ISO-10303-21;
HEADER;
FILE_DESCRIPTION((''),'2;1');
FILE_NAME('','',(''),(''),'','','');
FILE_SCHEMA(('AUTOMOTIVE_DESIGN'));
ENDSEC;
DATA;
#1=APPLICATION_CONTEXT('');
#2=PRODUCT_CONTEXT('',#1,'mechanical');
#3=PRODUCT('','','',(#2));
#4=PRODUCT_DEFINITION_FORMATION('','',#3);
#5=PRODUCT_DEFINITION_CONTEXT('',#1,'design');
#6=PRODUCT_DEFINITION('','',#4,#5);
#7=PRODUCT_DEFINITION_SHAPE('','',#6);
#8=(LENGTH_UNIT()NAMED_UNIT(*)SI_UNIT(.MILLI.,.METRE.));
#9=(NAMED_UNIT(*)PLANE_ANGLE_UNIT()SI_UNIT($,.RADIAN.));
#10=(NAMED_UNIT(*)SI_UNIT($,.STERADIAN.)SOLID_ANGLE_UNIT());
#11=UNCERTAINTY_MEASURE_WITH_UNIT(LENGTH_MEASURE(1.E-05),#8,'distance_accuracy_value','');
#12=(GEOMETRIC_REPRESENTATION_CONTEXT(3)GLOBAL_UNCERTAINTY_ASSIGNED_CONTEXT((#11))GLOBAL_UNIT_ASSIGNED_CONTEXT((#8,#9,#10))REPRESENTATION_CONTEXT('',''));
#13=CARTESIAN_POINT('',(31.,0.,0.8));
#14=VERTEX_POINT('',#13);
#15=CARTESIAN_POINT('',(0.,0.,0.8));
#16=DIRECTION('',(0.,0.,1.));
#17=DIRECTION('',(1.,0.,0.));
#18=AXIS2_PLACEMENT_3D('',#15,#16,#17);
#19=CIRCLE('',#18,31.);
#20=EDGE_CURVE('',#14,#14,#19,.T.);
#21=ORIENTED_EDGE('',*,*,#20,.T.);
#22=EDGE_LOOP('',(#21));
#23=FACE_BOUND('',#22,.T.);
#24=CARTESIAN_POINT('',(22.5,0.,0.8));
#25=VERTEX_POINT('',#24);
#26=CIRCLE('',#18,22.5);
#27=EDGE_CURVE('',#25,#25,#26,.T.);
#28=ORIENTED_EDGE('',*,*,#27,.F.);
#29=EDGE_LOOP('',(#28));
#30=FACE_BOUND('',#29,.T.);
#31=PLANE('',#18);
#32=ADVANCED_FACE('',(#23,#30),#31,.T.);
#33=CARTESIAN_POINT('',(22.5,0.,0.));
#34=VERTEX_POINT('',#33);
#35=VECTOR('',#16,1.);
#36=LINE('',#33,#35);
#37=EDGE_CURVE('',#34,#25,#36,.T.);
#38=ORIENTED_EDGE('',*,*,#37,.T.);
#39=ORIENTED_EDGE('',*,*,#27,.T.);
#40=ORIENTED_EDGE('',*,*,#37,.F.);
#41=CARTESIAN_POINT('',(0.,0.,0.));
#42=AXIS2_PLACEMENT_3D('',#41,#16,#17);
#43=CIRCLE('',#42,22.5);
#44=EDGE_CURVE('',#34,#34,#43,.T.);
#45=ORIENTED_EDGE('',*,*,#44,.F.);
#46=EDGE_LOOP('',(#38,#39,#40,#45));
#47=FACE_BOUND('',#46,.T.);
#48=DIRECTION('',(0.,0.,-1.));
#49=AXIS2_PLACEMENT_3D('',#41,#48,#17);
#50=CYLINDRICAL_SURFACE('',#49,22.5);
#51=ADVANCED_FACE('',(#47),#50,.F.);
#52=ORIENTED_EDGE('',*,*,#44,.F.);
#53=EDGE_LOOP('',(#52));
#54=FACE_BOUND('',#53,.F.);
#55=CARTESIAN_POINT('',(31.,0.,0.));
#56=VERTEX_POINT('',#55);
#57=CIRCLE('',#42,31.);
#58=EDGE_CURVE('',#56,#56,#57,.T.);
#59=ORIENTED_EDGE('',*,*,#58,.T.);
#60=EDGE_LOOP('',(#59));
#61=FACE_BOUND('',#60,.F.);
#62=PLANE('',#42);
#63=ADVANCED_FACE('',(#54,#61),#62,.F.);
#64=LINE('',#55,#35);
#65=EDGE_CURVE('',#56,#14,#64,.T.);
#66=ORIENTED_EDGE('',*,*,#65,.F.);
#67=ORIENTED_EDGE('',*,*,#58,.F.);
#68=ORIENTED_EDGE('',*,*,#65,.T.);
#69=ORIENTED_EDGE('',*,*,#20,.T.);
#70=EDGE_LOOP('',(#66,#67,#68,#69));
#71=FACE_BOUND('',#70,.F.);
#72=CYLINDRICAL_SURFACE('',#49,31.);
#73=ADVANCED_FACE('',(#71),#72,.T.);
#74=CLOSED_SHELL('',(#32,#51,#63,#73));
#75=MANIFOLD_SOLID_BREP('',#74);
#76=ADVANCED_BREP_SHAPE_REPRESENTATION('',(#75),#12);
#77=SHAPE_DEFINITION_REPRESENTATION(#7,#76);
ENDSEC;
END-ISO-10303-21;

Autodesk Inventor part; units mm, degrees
ref_plane "YZ Plane" through (0, 0, 0) normal (1, 0, 0) x (0, 1, 0)
ref_plane "XZ Plane" through (0, 0, 0) normal (0, 1, 0) x (-1, 0, 0)
ref_plane "XY Plane" through (0, 0, 0) normal (0, 0, 1) x (1, 0, 0)
sketch "草图1" plane through (0, 0, 0) normal (0, 0, 1) x (1, 0, 0)
  circle A0 centre (0, 0) radius 31
  circle A1 centre (0, 0) radius 22.5
  dimension "d0" = 0.8
extrude "拉伸1" add sketch "草图1" along normal blind 0.8
properties part number "my_attempt_v2"
